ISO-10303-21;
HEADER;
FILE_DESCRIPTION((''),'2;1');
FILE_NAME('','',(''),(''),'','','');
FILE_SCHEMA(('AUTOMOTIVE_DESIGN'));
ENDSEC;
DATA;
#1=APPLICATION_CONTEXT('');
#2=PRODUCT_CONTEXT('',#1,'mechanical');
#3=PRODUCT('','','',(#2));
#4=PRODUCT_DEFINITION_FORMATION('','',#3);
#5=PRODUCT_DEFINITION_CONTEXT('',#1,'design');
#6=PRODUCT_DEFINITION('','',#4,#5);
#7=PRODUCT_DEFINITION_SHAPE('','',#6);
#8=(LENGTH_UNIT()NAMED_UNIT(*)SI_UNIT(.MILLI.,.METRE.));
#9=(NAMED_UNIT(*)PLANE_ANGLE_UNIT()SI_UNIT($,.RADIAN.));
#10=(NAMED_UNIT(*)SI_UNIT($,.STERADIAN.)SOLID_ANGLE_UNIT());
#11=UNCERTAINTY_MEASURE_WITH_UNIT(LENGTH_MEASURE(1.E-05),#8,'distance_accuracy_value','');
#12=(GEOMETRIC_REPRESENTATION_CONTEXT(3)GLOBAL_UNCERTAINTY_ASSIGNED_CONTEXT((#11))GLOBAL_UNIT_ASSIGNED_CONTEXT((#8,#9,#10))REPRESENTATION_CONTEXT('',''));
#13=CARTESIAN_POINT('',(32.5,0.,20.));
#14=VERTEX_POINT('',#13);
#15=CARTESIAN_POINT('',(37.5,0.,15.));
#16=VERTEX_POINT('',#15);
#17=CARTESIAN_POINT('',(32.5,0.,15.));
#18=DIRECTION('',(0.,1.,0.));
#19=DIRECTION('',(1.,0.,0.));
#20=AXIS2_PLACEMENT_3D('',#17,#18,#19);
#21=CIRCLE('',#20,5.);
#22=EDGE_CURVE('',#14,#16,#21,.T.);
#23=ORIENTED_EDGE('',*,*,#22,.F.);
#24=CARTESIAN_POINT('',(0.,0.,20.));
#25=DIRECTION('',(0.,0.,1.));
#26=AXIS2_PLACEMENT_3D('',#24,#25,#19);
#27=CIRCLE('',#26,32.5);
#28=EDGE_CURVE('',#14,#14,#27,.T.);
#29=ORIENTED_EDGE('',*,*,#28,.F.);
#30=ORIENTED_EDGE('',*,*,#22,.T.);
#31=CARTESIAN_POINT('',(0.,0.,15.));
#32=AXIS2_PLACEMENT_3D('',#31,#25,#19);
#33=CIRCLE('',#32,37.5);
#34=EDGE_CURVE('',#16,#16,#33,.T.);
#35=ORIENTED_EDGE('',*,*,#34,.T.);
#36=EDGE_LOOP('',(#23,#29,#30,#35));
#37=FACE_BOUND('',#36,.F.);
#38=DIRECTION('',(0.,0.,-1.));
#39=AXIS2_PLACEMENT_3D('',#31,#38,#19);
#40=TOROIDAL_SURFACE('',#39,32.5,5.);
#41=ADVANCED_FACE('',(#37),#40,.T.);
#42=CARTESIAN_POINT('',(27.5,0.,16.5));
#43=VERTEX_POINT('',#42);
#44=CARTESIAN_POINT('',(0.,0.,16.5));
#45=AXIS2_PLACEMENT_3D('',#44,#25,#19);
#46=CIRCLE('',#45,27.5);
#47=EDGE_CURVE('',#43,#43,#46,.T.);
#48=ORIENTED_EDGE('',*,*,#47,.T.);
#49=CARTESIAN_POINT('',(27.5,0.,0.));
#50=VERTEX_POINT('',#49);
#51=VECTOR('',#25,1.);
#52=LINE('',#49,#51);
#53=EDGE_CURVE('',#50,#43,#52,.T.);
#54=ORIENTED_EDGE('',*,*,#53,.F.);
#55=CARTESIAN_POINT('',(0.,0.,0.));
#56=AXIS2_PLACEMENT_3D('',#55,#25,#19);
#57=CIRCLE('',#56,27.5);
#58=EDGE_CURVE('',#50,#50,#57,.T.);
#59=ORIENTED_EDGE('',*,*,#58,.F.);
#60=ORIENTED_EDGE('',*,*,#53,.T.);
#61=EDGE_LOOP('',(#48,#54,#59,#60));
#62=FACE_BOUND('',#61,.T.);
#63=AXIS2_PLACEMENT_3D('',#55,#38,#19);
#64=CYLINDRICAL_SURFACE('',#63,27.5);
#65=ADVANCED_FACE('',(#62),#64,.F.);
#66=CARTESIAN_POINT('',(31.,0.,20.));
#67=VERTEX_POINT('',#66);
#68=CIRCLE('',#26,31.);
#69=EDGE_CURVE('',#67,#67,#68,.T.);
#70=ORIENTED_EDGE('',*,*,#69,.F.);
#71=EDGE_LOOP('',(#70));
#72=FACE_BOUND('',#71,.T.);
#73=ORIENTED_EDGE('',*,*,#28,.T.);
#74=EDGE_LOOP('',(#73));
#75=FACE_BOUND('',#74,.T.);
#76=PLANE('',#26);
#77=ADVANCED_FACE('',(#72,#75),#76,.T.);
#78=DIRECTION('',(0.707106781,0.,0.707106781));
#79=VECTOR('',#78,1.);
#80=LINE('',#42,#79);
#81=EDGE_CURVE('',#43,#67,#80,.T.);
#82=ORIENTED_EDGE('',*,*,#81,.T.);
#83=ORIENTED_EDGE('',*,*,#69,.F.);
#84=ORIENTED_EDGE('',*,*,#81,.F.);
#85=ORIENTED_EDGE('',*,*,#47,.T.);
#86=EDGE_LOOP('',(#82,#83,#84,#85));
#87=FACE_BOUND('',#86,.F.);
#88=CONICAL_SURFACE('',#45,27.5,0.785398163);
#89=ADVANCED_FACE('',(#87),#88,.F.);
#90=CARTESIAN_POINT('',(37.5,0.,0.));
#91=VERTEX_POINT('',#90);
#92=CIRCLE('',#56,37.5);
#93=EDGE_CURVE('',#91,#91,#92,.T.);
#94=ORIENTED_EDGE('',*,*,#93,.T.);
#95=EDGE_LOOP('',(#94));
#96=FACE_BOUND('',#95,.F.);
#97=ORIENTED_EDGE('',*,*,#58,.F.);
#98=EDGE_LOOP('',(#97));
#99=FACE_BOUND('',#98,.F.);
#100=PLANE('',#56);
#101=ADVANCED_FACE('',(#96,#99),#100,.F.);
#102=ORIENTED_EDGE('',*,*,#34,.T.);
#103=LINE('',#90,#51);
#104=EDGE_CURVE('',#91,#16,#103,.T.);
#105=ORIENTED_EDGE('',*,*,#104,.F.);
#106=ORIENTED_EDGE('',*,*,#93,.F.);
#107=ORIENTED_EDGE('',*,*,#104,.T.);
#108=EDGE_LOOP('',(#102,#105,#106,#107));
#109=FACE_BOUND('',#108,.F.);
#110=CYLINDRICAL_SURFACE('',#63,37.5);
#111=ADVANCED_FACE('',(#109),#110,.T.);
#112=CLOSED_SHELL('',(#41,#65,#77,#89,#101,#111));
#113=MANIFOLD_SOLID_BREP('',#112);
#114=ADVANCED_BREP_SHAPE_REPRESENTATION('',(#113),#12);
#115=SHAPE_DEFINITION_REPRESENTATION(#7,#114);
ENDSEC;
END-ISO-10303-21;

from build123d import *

# Parameters (mm, degrees)
F0_R     = 37.5
F0_R_2   = 27.5
F1_DEPTH = 20
F2_SIZE  = 3.5
F3_R     = 5


with BuildPart() as f1:
    # F0 (on Top) → F1 (new body)
    with BuildSketch(Plane.XY):
        Circle(F0_R)
        Circle(F0_R_2, mode=Mode.SUBTRACT)
    extrude(amount=F1_DEPTH)

    # F2
    f2_edges = [f1.edges().sort_by_distance(p)[0] for p in [
        (-27.5, 0, 20),
    ]]
    chamfer(f2_edges, length=F2_SIZE)

    # F3
    f3_edges = [f1.edges().sort_by_distance(p)[0] for p in [
        (-37.5, 0, 20),
    ]]
    fillet(f3_edges, radius=F3_R)


solid = f1.part
